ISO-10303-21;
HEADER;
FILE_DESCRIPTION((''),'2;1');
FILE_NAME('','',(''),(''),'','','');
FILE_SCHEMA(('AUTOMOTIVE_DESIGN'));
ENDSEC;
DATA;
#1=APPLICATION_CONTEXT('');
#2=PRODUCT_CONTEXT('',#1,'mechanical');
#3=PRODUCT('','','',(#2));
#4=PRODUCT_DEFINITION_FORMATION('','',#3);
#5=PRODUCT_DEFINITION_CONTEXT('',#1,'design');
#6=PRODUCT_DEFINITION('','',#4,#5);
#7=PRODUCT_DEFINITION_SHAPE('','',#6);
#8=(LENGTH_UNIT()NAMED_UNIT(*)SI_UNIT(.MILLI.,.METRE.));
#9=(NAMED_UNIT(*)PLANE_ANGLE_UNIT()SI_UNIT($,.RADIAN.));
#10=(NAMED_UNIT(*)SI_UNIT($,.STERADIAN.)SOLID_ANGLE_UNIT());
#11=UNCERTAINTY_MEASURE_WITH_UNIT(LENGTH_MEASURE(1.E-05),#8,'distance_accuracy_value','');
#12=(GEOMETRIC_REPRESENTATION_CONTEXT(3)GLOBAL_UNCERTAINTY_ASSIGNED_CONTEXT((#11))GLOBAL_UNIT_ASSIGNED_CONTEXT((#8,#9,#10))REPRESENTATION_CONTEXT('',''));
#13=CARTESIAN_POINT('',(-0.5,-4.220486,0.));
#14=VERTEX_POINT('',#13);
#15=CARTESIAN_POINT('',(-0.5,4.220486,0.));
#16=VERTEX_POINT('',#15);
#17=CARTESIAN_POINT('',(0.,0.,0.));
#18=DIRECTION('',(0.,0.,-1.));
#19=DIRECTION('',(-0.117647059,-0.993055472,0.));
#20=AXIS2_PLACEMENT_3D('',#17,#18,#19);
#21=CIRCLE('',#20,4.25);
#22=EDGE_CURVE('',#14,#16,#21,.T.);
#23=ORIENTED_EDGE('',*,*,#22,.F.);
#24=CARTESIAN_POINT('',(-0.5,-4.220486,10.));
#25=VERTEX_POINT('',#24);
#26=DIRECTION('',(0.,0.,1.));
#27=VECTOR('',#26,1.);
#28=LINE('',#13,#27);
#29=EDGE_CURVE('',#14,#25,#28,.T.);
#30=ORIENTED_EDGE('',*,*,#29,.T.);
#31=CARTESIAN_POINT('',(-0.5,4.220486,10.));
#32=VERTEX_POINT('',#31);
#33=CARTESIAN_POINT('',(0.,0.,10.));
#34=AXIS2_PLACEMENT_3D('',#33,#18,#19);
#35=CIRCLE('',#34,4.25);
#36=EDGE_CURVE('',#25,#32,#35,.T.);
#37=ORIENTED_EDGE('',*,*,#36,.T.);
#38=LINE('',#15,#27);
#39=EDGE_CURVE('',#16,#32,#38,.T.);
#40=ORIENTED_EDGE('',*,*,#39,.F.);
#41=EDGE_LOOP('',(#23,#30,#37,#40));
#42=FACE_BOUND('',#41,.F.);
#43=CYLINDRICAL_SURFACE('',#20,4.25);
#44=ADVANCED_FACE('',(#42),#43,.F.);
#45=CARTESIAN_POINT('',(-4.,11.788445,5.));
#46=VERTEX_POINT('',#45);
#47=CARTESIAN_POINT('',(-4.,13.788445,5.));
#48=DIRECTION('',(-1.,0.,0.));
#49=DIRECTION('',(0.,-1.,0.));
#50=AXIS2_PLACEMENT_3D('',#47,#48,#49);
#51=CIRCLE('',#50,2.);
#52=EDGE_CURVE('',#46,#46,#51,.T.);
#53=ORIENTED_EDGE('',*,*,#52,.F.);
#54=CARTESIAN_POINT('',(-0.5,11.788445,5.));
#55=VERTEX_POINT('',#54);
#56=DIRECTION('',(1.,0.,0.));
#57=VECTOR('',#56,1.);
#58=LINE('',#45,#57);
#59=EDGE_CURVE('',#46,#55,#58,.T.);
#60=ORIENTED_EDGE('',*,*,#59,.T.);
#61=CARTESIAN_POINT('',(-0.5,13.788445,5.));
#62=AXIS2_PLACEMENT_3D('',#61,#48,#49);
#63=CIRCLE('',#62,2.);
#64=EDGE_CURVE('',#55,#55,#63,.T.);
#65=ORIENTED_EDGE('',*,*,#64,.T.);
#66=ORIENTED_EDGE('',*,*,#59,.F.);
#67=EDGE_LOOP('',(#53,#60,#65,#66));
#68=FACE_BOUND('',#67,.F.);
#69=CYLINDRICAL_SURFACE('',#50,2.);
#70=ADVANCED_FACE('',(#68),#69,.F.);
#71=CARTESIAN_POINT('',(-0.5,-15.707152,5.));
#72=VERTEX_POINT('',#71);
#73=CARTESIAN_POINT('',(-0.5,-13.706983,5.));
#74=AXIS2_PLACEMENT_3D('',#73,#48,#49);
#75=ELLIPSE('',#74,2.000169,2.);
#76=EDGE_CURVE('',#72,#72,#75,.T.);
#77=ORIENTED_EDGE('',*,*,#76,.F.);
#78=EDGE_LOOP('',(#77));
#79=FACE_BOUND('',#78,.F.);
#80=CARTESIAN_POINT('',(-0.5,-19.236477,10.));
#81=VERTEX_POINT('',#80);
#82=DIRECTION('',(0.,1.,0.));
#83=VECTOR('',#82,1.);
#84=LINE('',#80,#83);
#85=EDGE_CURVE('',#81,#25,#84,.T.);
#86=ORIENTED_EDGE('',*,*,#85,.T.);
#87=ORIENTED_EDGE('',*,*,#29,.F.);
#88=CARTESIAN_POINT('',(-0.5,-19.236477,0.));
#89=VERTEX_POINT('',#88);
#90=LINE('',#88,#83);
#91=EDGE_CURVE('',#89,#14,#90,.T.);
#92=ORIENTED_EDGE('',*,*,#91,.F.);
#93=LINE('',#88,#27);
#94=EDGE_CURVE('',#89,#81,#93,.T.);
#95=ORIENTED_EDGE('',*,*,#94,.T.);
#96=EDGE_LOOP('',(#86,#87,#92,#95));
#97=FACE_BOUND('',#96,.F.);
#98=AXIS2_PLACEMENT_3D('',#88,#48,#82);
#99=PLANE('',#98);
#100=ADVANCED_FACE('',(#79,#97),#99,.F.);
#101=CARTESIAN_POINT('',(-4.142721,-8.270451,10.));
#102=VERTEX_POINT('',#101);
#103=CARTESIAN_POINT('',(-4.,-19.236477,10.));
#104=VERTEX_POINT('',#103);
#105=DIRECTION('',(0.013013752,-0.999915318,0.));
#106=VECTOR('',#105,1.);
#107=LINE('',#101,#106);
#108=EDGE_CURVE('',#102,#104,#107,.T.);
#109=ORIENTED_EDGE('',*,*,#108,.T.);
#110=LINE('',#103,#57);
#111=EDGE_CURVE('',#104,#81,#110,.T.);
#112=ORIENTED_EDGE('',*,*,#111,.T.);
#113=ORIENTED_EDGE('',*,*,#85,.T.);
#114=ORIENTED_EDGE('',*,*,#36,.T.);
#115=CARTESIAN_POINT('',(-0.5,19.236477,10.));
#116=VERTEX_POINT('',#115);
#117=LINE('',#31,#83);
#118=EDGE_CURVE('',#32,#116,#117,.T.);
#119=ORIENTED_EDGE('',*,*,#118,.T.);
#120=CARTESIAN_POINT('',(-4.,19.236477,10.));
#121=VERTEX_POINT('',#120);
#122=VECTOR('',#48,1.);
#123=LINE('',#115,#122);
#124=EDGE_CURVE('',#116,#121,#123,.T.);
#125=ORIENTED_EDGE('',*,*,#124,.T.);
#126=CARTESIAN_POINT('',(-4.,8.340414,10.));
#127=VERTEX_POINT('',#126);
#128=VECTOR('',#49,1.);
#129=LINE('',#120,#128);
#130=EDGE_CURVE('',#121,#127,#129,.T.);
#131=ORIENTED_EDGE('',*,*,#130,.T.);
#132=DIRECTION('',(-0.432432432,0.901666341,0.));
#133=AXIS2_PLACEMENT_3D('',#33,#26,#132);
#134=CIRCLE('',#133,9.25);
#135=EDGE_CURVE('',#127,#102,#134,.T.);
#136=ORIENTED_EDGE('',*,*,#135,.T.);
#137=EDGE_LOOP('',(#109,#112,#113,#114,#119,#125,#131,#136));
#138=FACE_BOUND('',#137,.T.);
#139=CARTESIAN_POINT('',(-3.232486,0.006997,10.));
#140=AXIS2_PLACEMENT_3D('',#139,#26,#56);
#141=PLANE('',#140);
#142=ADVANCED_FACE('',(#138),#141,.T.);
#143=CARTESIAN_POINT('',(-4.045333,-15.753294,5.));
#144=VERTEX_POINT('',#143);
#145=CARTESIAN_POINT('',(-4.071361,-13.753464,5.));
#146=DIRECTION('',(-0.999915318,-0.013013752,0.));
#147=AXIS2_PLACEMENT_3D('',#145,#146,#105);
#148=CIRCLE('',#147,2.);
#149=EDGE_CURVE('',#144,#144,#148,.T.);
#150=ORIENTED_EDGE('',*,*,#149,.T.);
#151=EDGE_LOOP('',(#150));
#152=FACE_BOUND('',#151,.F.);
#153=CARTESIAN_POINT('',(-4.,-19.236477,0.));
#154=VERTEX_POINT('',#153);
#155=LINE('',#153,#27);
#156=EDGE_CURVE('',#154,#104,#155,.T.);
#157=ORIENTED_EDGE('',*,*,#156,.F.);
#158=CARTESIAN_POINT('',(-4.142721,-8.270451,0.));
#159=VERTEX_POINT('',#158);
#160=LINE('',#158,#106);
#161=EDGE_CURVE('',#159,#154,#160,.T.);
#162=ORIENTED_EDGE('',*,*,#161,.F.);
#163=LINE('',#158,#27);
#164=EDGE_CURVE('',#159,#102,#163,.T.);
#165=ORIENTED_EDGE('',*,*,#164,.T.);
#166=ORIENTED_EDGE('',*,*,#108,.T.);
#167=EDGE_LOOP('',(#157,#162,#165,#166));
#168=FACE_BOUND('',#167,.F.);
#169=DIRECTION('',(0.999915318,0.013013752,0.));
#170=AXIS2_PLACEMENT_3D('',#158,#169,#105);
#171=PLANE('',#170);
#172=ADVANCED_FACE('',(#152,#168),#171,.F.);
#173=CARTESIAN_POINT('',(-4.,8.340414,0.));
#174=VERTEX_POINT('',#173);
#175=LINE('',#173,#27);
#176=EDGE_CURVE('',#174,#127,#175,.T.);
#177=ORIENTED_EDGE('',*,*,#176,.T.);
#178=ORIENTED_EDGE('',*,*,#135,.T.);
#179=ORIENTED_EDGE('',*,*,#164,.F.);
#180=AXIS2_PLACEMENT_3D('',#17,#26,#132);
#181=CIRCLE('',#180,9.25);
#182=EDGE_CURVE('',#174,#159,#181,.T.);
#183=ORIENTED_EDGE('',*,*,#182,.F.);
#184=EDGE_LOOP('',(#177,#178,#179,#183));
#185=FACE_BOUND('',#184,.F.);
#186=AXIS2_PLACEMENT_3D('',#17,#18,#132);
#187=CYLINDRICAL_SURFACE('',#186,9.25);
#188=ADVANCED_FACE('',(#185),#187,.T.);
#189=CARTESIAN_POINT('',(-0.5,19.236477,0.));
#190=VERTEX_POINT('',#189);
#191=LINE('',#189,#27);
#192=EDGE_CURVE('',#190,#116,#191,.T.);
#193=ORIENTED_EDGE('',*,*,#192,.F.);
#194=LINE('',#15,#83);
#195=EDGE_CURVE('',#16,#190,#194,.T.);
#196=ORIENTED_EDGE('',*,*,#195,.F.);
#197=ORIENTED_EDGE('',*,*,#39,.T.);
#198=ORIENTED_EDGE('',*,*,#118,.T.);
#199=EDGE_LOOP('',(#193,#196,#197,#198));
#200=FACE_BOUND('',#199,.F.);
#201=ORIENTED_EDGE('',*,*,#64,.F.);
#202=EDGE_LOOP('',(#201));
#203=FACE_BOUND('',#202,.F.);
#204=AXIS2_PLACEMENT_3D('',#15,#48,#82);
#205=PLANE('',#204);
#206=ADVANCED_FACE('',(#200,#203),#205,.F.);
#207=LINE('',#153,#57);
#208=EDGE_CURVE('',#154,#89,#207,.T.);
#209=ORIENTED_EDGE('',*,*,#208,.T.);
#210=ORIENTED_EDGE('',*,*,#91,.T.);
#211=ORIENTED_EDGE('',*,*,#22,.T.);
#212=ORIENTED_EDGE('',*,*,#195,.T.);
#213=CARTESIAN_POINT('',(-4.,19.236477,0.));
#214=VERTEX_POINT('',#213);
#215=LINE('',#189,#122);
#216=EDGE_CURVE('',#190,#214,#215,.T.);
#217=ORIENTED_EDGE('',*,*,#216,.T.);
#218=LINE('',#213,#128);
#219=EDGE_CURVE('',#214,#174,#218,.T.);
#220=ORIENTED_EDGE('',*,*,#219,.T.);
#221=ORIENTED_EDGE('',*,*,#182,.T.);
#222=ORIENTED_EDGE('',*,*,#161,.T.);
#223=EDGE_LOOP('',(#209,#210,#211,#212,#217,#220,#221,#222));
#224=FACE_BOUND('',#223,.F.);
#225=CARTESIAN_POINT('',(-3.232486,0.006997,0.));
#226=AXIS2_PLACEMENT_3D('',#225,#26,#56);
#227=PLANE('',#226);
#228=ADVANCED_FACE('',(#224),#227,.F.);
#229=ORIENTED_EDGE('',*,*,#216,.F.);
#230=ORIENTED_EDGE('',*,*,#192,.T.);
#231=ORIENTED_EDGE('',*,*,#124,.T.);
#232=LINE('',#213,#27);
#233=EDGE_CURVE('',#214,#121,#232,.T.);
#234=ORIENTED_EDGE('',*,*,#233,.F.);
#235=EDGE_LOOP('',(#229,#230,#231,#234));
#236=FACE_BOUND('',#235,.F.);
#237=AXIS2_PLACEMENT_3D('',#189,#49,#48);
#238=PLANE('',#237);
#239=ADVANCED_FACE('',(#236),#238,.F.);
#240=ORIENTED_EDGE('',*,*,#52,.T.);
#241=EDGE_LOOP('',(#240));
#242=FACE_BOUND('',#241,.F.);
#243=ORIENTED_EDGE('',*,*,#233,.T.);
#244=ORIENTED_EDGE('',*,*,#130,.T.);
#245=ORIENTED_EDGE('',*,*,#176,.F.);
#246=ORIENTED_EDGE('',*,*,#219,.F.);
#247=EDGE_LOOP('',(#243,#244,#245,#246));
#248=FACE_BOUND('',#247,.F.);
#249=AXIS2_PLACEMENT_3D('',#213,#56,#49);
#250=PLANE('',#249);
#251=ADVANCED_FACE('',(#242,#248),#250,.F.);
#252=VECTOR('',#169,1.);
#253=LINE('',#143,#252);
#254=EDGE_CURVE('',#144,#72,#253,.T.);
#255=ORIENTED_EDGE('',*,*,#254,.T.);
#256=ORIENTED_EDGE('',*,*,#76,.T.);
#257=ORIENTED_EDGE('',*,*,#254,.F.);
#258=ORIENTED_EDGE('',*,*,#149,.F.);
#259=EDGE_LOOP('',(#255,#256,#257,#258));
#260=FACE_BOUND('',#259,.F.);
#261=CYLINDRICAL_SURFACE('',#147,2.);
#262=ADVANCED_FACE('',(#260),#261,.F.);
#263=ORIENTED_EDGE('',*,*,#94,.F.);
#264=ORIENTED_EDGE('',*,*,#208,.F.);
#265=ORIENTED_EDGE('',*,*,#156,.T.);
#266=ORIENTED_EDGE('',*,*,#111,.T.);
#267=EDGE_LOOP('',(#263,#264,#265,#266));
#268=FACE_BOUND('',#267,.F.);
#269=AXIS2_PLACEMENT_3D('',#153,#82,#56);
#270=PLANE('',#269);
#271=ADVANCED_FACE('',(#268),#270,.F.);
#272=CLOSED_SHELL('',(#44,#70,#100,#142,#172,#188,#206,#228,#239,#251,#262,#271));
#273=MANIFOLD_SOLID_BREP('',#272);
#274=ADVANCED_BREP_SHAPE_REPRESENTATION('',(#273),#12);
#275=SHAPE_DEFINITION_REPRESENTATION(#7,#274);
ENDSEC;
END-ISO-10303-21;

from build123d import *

# Parameters (mm, degrees)
F1_DEPTH = 10
F2_R     = 2
F3_DEPTH = 25
F4_R     = 2
F5_DEPTH = 25


with BuildPart() as f1:
    # F0 (on Top) → F1 (new body)
    with BuildSketch(Plane.XY):
        with BuildLine():
            ThreePointArc((-0.5, -4.220485754), (-4.25, 0), (-0.5, 4.220485754))
            Line((-0.5, 4.220485754), (-0.5, 9.236476601))
            Line((-0.5, 9.236476601), (-0.5, 19.236476601))
            Line((-0.5, 19.236476601), (-4, 19.236476601))
            Line((-4, 19.236476601), (-4, 8.3404136588))
            ThreePointArc((-4, 8.3404136588), (-9.2496585868, 0.0794734394), (-4.1427212192, -8.2704510699))
            Line((-4.1427212192, -8.2704510699), (-4, -19.236476601))
            Line((-4, -19.236476601), (-0.5, -19.236476601))
            Line((-0.5, -19.236476601), (-0.5, -9.236476601))
            Line((-0.5, -9.236476601), (-0.5, -4.220485754))
        make_face()
    extrude(amount=F1_DEPTH)

    # F2 (on face) → F3 (cut)
    with BuildSketch(Plane(origin=(-4, 0, 0), x_dir=(0, -1, 0), z_dir=(-1, 0, 0))):
        with Locations((-13.7884451299, 5)):
            Circle(F2_R)
    extrude(amount=-F3_DEPTH, mode=Mode.SUBTRACT)

    # F4 (on face) → F5 (cut)
    with BuildSketch(Plane(origin=(-4.2496400996, -0.0553084447, 0), x_dir=(0.0130137517, -0.9999153175, 0), z_dir=(-0.9999153175, -0.0130137517, 0))):
        with Locations((13.6993154824, 5)):
            Circle(F4_R)
    extrude(amount=-F5_DEPTH, mode=Mode.SUBTRACT)


solid = f1.part
